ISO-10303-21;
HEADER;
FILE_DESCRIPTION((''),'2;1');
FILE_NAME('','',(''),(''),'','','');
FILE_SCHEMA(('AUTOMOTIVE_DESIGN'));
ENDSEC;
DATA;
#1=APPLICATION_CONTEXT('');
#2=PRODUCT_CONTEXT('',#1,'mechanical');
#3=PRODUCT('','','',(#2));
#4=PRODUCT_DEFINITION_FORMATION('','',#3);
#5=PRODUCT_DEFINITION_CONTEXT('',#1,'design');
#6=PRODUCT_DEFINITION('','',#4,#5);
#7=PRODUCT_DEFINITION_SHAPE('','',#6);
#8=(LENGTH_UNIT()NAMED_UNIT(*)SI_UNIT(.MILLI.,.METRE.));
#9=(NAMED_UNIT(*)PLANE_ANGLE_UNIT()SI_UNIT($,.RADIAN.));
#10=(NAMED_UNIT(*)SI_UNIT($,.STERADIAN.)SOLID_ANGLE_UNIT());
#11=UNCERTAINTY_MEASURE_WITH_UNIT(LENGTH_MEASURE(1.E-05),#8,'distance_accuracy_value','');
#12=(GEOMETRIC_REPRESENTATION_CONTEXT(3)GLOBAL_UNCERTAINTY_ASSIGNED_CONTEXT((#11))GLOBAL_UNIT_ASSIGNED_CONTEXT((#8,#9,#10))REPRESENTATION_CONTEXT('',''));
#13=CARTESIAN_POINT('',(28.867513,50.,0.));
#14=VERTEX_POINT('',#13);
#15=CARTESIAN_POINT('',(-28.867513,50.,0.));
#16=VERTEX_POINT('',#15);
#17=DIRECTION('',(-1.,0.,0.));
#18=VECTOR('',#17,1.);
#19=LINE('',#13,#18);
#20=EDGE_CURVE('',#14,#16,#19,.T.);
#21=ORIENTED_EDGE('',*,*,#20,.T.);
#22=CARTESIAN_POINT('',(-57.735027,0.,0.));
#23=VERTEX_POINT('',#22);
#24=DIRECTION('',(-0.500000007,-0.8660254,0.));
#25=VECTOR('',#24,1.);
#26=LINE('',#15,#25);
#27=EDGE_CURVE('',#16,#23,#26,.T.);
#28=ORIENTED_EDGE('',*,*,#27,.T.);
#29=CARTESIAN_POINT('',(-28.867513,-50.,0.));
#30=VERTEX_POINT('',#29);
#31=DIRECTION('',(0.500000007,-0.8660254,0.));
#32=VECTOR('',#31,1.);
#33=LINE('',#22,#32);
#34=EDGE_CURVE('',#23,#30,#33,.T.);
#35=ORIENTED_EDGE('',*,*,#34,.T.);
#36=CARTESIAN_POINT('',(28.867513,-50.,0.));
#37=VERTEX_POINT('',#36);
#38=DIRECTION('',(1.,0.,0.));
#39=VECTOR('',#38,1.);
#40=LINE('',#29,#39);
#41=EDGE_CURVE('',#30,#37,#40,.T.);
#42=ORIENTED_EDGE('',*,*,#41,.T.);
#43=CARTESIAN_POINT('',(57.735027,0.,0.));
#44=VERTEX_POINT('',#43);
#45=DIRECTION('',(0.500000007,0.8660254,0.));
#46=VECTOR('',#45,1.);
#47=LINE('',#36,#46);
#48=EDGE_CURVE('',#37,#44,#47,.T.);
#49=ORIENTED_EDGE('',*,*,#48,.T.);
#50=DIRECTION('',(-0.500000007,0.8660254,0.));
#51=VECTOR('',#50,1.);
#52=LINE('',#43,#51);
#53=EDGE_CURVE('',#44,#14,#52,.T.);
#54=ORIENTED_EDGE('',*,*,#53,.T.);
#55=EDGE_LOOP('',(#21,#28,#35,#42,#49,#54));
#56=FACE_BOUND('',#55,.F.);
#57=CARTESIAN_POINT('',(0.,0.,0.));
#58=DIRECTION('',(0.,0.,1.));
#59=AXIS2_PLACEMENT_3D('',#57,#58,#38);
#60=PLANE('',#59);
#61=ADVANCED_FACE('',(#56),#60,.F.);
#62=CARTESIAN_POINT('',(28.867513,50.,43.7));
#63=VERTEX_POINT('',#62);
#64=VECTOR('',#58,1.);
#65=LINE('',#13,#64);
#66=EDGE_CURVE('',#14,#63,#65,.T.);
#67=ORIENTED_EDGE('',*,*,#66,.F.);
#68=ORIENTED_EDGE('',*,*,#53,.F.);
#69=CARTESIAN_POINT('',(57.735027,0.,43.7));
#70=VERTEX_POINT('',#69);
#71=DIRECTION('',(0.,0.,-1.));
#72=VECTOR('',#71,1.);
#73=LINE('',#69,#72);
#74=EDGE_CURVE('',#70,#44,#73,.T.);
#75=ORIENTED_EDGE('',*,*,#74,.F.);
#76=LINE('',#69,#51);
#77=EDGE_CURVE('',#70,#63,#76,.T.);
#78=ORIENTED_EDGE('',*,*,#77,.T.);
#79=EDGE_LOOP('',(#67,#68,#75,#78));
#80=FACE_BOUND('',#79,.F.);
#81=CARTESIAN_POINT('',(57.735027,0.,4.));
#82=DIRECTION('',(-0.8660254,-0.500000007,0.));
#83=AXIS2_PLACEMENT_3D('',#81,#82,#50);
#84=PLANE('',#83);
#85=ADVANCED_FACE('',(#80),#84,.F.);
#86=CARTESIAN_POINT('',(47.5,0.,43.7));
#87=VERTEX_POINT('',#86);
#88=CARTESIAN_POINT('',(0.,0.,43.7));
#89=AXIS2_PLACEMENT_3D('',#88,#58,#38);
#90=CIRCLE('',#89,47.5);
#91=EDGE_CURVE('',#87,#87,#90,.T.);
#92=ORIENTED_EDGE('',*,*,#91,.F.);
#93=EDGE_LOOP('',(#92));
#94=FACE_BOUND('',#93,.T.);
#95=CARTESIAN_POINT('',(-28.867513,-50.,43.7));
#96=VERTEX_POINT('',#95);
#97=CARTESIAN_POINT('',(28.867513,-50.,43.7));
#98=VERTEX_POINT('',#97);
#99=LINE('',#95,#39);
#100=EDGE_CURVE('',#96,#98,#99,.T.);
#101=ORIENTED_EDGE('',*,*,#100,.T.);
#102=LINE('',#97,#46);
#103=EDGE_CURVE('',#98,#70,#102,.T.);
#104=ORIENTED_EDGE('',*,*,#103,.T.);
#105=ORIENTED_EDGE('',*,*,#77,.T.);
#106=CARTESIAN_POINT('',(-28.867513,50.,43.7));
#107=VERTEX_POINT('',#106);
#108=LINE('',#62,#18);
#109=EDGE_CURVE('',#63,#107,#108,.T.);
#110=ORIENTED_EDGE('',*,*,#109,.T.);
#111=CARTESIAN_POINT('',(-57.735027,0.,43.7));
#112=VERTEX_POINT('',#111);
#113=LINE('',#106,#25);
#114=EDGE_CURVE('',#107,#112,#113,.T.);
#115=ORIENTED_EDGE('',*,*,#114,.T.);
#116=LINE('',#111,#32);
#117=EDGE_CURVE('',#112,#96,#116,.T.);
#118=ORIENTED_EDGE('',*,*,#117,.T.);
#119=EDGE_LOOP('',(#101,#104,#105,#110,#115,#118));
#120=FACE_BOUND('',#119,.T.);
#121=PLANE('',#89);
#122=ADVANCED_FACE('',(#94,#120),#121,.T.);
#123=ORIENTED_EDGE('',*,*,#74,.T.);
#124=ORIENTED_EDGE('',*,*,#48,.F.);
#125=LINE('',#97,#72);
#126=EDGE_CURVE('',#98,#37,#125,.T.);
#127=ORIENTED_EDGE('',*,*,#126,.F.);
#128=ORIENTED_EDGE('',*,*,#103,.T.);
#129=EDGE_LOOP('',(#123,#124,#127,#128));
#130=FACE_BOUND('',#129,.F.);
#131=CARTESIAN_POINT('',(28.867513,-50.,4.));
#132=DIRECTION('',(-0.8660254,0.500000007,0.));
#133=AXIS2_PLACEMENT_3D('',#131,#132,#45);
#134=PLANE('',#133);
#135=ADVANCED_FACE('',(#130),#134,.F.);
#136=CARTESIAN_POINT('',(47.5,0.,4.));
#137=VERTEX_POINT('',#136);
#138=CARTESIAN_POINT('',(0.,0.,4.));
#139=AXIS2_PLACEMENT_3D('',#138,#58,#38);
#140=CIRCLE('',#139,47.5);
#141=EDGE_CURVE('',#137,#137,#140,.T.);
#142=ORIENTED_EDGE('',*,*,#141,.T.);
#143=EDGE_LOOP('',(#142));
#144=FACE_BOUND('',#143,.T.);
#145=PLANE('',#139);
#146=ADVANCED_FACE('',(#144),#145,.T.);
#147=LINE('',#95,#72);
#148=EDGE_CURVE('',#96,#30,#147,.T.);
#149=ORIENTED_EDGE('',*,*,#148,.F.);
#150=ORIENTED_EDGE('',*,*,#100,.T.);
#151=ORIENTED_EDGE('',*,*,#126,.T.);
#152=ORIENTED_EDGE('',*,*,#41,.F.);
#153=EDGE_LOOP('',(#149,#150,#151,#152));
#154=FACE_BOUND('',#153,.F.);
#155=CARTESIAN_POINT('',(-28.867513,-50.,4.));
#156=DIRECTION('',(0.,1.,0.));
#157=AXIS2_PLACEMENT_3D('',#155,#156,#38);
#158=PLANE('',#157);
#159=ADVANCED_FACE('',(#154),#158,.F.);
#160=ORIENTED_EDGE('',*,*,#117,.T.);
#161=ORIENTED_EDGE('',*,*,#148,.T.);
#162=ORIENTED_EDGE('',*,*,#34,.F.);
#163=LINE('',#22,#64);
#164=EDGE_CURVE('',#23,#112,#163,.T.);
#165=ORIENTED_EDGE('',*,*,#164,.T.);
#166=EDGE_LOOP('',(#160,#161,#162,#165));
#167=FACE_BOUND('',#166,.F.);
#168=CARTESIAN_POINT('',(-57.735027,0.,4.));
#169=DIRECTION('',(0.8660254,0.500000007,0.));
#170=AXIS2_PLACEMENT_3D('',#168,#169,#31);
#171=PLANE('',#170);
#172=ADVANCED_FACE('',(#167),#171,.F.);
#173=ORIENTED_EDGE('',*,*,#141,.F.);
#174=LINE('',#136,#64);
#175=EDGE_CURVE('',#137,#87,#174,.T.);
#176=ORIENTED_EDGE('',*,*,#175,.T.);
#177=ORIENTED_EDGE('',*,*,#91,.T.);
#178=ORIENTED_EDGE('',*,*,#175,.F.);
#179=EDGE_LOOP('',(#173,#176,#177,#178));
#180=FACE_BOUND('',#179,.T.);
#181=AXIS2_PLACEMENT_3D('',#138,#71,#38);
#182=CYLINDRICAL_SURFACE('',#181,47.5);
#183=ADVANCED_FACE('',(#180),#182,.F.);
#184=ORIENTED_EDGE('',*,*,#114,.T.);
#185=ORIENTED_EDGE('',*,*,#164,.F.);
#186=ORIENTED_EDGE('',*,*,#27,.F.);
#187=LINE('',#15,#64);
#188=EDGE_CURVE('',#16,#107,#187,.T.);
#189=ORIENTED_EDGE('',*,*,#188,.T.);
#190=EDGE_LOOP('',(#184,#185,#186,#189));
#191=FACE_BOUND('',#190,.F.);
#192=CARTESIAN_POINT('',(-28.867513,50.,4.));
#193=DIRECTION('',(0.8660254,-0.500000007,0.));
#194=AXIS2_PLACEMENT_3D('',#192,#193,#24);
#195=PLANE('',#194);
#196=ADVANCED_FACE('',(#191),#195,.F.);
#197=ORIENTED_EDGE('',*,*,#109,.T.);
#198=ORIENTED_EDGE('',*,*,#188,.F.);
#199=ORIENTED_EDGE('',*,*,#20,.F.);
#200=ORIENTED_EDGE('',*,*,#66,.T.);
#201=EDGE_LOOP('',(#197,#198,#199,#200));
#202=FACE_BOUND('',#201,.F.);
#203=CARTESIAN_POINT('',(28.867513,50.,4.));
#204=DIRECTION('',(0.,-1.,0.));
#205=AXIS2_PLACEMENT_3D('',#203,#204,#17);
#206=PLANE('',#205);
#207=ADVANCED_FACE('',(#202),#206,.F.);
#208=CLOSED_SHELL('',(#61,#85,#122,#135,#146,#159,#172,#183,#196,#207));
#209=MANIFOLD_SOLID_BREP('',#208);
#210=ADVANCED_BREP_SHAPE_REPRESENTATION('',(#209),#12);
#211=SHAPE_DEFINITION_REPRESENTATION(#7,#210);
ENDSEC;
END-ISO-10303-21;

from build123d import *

# Parameters (mm, degrees)
F1_DEPTH = 4
F3_R     = 47.5
F4_DEPTH = 39.7


with BuildPart() as f1:
    # F0 (on Top) → F1 (new body)
    with BuildSketch(Plane.XY):
        Polygon((28.867513, 50), (-28.867513, 50), (-57.735027, 0), (-28.867513, -50), (28.867513, -50), (57.735027, 0), align=None)
    extrude(amount=F1_DEPTH)

    # F3 (on face) → F4 (join)
    with BuildSketch(Plane.XY.offset(4)):
        Polygon((57.735027, 0), (28.867513, 50), (-28.867513, 50), (-57.735027, 0), (-28.867513, -50), (28.867513, -50), align=None)
        Circle(F3_R, mode=Mode.SUBTRACT)
    extrude(amount=F4_DEPTH)


solid = f1.part
